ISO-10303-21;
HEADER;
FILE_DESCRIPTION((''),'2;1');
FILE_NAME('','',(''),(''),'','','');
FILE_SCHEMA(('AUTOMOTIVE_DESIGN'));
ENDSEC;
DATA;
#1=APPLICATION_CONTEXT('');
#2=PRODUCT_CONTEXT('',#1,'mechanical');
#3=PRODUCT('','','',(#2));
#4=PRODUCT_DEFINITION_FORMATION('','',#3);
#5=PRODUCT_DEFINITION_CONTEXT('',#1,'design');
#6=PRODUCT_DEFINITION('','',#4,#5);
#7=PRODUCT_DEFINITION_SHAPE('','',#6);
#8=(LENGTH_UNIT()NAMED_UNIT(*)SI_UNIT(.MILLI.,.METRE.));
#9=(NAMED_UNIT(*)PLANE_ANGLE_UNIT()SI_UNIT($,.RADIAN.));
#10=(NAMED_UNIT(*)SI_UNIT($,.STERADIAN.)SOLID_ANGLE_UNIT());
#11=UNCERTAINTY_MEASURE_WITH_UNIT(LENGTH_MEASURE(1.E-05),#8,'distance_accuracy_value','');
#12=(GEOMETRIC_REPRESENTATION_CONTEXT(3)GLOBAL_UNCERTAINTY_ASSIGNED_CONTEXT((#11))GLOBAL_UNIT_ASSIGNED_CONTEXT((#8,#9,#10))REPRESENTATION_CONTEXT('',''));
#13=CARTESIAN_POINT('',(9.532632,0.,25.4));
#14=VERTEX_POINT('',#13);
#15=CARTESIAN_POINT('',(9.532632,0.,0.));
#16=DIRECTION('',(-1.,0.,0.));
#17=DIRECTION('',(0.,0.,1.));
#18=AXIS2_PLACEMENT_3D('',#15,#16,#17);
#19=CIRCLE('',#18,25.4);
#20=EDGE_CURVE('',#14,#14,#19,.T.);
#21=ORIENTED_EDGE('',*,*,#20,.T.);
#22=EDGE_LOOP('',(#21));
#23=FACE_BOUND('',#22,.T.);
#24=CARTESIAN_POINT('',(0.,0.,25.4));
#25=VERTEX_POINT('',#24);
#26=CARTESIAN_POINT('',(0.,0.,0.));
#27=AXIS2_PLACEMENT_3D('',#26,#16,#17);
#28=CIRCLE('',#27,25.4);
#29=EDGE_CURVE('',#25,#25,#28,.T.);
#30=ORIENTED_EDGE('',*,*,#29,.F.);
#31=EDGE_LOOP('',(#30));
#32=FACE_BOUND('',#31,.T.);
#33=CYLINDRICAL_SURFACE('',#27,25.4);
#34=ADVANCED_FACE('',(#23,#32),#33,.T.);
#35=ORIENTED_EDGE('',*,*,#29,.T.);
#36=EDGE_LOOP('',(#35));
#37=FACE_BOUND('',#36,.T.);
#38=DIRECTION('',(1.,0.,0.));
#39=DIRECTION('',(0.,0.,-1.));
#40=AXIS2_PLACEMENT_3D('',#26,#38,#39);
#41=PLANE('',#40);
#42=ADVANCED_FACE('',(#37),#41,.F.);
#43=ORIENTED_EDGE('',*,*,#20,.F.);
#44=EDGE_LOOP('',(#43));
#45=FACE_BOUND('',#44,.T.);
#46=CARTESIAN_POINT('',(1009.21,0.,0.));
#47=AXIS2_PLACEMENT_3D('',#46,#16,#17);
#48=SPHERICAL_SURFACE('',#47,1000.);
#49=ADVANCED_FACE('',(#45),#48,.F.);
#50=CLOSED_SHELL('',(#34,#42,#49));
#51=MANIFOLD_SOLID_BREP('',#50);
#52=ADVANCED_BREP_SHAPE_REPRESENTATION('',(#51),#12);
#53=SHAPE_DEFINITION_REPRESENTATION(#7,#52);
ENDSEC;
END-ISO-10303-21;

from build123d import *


with BuildPart() as part:
    # 草图1 → 旋转1 (revolve)
    with BuildSketch(Plane(origin=(0, 0, 0), x_dir=(1, 0, 0), z_dir=(0, 1, 0)), mode=Mode.PRIVATE) as revolve_1_sk:
        with BuildLine():
            Line((0, 0), (9.21, 0))
            ThreePointArc((9.21, 0), (9.290661265, 12.701024481), (9.532632046, 25.4))
            Line((9.532632046, 25.4), (0, 25.4))
            Line((0, 25.4), (0, 0))
        make_face()
    revolve(revolve_1_sk.sketch.rotate(Axis((0, 0, 0), (1, 0, 0)), 180), axis=Axis((0, 0, 0), (1, 0, 0)))  # turned: the seam where the file's is


solid = part.part
